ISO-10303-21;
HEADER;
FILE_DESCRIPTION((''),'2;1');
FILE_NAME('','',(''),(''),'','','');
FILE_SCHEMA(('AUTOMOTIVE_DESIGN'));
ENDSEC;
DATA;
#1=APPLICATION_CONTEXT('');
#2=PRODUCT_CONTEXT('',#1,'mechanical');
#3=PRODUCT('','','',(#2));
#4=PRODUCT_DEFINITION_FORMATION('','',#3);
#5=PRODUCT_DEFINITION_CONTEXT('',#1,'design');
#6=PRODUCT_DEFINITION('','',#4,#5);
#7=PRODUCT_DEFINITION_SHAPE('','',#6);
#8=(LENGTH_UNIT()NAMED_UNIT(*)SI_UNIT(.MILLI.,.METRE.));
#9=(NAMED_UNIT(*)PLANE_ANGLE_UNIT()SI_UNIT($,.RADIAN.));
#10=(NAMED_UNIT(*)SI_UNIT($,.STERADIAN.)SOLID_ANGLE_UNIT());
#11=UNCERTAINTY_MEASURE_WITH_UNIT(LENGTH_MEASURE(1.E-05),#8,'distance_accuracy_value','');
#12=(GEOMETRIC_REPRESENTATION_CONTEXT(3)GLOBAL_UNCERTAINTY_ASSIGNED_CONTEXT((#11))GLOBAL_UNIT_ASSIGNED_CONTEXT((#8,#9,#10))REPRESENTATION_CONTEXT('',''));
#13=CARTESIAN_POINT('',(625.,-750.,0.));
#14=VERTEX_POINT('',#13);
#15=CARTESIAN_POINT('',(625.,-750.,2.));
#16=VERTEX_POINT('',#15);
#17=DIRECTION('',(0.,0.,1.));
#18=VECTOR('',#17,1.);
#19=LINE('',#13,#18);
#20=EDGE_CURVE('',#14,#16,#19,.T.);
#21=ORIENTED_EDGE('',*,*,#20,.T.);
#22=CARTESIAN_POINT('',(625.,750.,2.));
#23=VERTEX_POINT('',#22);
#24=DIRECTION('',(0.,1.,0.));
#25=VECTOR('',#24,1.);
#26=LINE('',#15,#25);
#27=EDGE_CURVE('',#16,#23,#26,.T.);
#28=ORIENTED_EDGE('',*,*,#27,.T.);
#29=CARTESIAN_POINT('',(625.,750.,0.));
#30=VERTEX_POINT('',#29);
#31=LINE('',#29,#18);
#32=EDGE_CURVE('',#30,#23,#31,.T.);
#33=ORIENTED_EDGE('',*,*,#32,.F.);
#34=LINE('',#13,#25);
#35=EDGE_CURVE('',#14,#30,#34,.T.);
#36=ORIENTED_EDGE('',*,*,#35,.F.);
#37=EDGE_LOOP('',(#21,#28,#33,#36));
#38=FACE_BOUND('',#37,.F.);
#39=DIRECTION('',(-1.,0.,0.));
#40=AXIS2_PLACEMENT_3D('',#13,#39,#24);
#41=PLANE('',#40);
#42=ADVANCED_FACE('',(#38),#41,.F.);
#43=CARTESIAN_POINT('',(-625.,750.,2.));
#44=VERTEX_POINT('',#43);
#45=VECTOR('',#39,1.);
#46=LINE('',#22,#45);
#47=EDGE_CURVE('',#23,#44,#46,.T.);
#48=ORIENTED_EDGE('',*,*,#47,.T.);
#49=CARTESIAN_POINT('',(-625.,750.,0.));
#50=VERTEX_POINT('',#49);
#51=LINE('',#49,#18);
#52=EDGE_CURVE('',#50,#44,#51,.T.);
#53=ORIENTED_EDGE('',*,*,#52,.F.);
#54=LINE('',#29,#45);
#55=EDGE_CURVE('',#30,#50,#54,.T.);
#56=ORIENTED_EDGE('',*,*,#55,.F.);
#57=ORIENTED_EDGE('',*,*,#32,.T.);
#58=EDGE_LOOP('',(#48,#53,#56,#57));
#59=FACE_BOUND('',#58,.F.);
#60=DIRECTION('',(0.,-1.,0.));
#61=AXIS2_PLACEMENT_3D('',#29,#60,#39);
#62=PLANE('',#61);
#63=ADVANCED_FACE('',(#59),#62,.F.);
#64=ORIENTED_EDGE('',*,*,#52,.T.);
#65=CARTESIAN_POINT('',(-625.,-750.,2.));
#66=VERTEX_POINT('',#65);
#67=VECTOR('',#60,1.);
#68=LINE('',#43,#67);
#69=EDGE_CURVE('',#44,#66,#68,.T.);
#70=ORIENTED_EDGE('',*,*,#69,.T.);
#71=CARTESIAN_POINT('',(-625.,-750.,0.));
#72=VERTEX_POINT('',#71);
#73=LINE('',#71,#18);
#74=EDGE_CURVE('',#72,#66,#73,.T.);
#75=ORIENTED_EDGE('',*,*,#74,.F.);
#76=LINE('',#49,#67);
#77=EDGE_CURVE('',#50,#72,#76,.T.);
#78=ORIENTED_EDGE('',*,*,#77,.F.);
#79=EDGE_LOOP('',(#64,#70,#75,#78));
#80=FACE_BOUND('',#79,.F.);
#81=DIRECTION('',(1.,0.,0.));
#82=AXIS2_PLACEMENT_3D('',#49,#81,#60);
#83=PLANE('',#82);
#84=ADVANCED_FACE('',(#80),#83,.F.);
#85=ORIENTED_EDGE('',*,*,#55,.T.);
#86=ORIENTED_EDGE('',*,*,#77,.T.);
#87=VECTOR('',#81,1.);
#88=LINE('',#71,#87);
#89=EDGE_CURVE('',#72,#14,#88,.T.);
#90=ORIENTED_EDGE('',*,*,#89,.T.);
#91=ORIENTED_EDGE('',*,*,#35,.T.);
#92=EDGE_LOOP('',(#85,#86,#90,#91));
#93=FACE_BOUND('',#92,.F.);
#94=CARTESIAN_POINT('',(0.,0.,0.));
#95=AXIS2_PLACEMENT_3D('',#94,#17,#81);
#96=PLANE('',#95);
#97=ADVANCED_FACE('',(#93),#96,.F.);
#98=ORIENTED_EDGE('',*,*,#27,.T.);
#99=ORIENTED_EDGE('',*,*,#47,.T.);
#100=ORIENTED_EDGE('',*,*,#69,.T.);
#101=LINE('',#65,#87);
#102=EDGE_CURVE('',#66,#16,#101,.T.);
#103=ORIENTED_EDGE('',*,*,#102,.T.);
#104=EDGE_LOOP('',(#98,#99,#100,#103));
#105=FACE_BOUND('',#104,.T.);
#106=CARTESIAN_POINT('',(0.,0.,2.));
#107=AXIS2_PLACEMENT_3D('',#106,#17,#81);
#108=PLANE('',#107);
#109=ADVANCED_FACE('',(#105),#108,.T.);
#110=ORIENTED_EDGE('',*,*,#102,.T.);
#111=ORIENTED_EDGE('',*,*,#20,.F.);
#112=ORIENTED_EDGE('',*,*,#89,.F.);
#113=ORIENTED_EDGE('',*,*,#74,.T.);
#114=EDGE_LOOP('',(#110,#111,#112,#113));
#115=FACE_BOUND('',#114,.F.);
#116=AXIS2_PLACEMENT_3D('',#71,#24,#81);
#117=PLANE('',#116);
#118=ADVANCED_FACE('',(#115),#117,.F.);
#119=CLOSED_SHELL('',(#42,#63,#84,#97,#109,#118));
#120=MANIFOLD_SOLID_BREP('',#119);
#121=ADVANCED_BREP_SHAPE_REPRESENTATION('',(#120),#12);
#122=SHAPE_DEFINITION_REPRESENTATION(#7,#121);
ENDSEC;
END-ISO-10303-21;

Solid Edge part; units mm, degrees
sketch "Sketch1" plane through (0, 0, 0) normal (0, 0, 1) x (1, 0, 0)
  line L0 (625, -750) -> (625, 750)
  line L1 (625, 750) -> (-625, 750)
  line L2 (-625, 750) -> (-625, -750)
  line L3 (-625, -750) -> (625, -750)
extrude "Protrusion1" add sketch "Sketch1" along normal blind 2
properties material "Aluminum, 1060"
